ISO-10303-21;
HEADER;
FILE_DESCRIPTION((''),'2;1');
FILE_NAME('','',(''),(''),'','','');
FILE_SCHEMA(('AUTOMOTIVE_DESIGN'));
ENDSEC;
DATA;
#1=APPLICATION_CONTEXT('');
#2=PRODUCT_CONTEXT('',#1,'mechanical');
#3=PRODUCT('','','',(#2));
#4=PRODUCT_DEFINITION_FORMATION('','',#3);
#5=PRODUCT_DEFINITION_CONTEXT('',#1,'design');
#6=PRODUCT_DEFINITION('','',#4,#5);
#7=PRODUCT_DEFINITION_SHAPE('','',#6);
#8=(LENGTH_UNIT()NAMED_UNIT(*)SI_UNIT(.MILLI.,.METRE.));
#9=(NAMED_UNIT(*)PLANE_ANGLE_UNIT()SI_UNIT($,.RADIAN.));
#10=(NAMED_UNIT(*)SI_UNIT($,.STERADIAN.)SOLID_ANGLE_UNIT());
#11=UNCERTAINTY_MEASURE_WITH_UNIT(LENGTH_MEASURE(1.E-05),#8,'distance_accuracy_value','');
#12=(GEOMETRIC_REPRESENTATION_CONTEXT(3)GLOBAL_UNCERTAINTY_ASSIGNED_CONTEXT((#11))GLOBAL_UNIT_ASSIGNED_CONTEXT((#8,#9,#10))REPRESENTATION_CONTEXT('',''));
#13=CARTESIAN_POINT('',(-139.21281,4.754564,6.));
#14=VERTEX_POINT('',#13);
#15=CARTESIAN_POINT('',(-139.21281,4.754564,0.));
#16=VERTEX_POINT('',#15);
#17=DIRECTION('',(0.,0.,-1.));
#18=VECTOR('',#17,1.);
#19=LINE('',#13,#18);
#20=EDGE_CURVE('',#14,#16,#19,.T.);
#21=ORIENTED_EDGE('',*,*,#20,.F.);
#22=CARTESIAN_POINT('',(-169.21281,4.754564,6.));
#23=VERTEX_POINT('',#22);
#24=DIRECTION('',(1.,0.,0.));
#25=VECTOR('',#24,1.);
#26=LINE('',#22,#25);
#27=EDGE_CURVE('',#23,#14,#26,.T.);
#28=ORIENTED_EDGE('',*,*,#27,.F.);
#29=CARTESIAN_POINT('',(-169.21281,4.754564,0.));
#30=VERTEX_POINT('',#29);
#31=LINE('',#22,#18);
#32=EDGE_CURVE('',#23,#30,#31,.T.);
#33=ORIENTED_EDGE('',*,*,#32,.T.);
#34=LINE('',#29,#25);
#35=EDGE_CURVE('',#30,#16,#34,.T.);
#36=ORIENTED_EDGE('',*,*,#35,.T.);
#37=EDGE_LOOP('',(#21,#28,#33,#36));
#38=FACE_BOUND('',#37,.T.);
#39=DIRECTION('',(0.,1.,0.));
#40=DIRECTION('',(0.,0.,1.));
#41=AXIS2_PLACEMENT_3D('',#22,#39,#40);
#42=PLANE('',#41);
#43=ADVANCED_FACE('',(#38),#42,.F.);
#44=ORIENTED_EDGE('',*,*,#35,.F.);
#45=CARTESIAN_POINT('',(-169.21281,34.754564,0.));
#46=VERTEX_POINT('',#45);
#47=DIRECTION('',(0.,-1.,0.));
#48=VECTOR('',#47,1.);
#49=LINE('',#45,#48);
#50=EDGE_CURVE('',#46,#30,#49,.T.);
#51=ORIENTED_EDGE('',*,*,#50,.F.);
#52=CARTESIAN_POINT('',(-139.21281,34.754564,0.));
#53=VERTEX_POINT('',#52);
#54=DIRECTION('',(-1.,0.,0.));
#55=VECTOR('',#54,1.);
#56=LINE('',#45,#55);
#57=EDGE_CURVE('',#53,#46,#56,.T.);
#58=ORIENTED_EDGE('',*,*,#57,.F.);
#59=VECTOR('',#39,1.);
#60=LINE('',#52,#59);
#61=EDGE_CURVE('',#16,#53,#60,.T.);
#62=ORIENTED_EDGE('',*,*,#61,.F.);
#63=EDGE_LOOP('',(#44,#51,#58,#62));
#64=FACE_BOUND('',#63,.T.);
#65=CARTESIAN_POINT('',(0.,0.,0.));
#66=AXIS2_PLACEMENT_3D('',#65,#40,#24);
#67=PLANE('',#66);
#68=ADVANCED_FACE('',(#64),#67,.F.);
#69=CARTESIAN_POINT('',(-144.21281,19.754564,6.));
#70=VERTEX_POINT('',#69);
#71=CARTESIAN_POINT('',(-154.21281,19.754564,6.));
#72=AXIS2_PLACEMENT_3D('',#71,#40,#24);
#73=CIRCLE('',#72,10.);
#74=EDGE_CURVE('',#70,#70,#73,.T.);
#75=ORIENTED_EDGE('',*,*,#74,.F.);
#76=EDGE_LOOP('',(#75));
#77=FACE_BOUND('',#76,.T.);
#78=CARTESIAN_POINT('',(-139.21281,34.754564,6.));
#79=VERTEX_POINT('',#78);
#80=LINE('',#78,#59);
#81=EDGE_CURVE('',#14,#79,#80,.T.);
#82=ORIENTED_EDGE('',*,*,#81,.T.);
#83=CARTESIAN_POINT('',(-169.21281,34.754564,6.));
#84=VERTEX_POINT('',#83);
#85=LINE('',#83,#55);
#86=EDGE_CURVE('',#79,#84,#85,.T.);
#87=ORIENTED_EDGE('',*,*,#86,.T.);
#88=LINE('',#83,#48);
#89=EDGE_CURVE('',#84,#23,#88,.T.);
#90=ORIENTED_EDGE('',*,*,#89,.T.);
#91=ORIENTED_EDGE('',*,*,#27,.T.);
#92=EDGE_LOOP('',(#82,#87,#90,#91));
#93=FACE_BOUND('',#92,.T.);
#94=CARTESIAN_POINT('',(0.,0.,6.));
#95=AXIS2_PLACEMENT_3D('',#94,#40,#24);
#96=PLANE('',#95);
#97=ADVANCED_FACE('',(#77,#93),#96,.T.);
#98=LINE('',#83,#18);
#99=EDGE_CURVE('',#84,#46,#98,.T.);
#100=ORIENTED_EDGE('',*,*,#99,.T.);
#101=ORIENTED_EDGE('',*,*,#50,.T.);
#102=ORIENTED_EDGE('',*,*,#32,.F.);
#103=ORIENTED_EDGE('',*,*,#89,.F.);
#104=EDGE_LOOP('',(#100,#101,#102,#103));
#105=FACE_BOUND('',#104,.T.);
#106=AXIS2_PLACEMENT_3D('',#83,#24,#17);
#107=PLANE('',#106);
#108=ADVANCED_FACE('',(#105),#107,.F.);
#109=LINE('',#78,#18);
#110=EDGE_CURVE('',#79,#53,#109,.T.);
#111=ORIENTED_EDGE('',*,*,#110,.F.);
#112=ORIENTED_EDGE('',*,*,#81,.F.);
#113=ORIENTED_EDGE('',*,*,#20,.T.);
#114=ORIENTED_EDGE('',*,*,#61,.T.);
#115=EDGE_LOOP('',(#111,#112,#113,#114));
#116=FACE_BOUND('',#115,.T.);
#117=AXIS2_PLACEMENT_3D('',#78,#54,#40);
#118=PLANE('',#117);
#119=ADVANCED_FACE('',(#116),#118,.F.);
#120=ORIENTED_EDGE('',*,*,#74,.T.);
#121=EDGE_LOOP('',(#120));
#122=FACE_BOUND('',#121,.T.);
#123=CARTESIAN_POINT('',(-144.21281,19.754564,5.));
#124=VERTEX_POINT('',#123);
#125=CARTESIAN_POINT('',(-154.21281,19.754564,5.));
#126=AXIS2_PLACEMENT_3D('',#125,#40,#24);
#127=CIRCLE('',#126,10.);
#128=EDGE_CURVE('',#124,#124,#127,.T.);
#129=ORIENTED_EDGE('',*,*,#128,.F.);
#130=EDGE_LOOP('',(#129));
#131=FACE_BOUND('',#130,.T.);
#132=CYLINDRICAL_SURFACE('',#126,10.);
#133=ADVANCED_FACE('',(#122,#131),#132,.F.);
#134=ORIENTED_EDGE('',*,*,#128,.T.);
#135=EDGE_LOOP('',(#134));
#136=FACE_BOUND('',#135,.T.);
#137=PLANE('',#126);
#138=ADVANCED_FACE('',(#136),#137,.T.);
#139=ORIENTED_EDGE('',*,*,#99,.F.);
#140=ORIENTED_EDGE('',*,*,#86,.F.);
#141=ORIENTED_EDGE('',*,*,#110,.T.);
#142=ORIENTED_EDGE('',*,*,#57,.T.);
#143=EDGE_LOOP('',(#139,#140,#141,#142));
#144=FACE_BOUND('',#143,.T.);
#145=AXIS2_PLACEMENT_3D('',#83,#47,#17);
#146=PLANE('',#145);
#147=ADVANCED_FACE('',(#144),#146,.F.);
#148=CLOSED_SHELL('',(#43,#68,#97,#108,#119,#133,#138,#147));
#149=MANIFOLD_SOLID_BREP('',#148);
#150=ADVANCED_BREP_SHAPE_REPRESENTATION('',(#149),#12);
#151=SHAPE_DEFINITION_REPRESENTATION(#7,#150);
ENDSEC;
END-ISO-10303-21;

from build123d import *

# Parameters (mm, degrees)
SKETCH_1_W          = 30
SKETCH_1_H          = 30
EXTRUDE_1_DEPTH     = 6
SKETCH_2_R          = 10
CUT_EXTRUDE_1_DEPTH = 1


with BuildPart() as part:
    # 草图1 → 凸台-拉伸1 (new body)
    with BuildSketch(Plane.XY):
        with Locations((-154.212810174, 19.754563538)):
            Rectangle(SKETCH_1_W, SKETCH_1_H)
    extrude(amount=EXTRUDE_1_DEPTH)

    # 草图2 → 切除-拉伸1 (cut)
    with BuildSketch(Plane.XY.offset(6)):
        with Locations((-154.212810174, 19.754563538)):
            Circle(SKETCH_2_R)
    extrude(amount=-CUT_EXTRUDE_1_DEPTH, mode=Mode.SUBTRACT)


solid = part.part
